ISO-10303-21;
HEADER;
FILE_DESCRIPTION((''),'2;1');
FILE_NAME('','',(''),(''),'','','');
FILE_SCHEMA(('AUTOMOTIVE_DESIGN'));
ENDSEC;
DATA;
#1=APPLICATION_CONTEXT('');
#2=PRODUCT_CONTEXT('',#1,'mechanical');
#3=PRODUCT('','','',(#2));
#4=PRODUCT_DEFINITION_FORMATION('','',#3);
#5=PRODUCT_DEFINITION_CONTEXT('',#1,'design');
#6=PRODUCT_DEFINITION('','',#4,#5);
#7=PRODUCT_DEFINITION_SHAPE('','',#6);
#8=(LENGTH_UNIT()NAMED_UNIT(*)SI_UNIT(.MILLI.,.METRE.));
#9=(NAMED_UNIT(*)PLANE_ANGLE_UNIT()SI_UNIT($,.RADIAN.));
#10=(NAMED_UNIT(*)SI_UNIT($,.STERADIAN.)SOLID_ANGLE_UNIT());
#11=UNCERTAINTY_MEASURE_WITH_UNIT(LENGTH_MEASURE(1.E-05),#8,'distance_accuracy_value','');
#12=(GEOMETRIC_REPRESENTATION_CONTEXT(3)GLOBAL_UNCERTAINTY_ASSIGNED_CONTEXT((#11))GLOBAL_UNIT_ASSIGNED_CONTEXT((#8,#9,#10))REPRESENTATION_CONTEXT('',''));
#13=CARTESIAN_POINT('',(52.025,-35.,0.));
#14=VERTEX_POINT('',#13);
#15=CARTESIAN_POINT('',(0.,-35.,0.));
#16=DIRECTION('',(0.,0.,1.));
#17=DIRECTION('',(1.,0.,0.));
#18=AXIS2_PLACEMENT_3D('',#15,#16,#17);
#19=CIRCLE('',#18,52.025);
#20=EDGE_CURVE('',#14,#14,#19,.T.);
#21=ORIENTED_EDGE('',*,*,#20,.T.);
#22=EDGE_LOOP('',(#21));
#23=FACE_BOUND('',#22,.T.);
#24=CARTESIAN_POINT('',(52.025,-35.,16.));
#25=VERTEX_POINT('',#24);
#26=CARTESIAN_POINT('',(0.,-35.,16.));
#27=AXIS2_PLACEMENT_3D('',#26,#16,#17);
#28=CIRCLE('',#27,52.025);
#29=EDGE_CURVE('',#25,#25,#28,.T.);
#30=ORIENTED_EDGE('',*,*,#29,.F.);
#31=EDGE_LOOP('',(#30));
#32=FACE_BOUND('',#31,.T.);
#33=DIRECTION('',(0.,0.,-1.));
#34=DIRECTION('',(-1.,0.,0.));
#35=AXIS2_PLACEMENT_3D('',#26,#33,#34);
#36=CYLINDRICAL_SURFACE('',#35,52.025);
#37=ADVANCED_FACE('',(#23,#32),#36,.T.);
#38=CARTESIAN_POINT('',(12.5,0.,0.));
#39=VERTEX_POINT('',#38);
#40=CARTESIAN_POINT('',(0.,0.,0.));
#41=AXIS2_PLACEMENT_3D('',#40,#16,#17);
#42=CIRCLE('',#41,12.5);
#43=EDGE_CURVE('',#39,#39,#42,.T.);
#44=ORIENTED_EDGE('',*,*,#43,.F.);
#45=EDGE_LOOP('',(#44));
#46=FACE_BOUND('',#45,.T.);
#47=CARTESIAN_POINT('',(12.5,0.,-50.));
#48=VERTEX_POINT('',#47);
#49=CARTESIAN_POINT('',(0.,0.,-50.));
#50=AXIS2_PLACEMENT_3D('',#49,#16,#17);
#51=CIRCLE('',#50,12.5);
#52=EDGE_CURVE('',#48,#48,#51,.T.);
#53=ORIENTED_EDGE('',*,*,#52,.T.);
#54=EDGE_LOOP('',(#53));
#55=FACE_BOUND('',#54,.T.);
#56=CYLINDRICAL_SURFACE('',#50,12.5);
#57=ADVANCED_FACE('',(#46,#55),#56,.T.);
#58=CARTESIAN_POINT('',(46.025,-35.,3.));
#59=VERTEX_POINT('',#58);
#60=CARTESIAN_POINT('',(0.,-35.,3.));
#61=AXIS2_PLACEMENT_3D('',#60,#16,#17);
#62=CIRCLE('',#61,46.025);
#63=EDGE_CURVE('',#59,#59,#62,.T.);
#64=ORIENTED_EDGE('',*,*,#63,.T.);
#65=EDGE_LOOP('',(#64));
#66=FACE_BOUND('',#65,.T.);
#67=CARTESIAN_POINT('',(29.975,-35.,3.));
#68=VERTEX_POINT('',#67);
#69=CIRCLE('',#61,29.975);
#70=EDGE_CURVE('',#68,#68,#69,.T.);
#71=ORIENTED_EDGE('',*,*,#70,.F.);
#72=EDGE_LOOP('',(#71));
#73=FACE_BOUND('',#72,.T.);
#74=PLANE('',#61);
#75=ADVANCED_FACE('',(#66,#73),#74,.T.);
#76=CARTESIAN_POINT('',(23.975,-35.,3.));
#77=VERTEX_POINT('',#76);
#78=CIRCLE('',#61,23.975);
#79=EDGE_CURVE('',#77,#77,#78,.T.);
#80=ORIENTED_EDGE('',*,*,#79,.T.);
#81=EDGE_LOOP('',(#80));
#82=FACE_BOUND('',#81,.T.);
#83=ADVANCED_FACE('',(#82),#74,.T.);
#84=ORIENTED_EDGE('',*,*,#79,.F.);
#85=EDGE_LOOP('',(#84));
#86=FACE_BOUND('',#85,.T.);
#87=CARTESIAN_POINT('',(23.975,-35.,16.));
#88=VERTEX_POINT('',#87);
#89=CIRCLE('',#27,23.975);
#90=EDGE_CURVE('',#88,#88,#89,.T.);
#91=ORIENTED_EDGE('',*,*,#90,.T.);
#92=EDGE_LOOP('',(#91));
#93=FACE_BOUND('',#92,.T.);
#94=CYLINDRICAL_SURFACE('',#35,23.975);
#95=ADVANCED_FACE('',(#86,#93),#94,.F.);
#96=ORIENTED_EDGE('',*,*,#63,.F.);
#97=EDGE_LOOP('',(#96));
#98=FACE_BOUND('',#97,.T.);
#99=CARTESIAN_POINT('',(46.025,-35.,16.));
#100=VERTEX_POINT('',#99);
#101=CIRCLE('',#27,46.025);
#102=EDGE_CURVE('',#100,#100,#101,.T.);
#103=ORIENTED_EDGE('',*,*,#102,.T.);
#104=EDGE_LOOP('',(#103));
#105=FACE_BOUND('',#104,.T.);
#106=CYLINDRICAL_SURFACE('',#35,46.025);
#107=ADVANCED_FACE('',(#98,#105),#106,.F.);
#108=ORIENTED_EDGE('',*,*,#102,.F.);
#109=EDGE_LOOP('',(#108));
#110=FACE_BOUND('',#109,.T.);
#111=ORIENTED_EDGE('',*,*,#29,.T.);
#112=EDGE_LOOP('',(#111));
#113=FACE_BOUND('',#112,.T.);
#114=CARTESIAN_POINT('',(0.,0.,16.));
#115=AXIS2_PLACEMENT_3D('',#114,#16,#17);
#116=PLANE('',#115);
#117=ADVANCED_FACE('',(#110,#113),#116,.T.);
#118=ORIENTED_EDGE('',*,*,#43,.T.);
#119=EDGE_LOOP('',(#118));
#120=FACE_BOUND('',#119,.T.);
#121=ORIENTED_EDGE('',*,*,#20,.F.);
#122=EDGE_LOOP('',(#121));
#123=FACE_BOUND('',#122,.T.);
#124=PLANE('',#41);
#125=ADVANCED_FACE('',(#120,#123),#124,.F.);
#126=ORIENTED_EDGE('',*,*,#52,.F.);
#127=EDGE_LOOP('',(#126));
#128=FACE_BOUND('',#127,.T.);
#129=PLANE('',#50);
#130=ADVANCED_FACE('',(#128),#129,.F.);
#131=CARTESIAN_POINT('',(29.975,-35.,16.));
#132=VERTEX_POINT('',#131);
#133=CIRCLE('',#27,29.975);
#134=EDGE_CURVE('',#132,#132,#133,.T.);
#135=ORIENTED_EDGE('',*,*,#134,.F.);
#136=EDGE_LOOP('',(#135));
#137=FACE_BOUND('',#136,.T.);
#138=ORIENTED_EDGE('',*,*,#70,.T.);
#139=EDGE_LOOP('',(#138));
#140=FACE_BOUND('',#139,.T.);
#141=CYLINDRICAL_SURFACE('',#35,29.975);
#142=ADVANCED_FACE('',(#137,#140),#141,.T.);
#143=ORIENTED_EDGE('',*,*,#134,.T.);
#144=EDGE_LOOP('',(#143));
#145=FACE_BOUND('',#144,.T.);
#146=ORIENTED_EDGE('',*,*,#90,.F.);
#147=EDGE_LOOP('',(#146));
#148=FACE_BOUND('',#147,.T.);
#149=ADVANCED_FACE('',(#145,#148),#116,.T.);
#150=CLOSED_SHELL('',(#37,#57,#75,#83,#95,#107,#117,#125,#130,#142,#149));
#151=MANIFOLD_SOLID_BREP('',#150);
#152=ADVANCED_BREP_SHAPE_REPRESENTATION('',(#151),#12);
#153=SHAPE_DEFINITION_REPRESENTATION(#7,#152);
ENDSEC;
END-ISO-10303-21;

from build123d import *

# Parameters (mm, degrees)
SKETCH1_R           = 12.5
BOSS_EXTRUDE1_DEPTH = 50
SKETCH2_R           = 52.025
SKETCH2_R_2         = 46.025
SKETCH2_R_3         = 29.975
SKETCH2_R_4         = 23.975
BOSS_EXTRUDE2_DEPTH = 16
SKETCH4_R           = 52.025
BOSS_EXTRUDE3_DEPTH = 3


with BuildPart() as part:
    # Sketch1 → Boss-Extrude1 (new body)
    with BuildSketch(Plane.XY):
        Circle(SKETCH1_R)
    extrude(amount=-BOSS_EXTRUDE1_DEPTH)

    # Sketch2 → Boss-Extrude2 (add)
    with BuildSketch(Plane.XY):
        with Locations((0, -35)):
            Circle(SKETCH2_R)
        with Locations((0, -35)):
            Circle(SKETCH2_R_2, mode=Mode.SUBTRACT)
        with Locations((0, -35)):
            Circle(SKETCH2_R_3)
        with Locations((0, -35)):
            Circle(SKETCH2_R_4, mode=Mode.SUBTRACT)
    extrude(amount=BOSS_EXTRUDE2_DEPTH)

    # Sketch4 → Boss-Extrude3 (add)
    with BuildSketch(Plane.XY):
        with Locations((0, -35)):
            Circle(SKETCH4_R)
    extrude(amount=BOSS_EXTRUDE3_DEPTH)


solid = part.part
